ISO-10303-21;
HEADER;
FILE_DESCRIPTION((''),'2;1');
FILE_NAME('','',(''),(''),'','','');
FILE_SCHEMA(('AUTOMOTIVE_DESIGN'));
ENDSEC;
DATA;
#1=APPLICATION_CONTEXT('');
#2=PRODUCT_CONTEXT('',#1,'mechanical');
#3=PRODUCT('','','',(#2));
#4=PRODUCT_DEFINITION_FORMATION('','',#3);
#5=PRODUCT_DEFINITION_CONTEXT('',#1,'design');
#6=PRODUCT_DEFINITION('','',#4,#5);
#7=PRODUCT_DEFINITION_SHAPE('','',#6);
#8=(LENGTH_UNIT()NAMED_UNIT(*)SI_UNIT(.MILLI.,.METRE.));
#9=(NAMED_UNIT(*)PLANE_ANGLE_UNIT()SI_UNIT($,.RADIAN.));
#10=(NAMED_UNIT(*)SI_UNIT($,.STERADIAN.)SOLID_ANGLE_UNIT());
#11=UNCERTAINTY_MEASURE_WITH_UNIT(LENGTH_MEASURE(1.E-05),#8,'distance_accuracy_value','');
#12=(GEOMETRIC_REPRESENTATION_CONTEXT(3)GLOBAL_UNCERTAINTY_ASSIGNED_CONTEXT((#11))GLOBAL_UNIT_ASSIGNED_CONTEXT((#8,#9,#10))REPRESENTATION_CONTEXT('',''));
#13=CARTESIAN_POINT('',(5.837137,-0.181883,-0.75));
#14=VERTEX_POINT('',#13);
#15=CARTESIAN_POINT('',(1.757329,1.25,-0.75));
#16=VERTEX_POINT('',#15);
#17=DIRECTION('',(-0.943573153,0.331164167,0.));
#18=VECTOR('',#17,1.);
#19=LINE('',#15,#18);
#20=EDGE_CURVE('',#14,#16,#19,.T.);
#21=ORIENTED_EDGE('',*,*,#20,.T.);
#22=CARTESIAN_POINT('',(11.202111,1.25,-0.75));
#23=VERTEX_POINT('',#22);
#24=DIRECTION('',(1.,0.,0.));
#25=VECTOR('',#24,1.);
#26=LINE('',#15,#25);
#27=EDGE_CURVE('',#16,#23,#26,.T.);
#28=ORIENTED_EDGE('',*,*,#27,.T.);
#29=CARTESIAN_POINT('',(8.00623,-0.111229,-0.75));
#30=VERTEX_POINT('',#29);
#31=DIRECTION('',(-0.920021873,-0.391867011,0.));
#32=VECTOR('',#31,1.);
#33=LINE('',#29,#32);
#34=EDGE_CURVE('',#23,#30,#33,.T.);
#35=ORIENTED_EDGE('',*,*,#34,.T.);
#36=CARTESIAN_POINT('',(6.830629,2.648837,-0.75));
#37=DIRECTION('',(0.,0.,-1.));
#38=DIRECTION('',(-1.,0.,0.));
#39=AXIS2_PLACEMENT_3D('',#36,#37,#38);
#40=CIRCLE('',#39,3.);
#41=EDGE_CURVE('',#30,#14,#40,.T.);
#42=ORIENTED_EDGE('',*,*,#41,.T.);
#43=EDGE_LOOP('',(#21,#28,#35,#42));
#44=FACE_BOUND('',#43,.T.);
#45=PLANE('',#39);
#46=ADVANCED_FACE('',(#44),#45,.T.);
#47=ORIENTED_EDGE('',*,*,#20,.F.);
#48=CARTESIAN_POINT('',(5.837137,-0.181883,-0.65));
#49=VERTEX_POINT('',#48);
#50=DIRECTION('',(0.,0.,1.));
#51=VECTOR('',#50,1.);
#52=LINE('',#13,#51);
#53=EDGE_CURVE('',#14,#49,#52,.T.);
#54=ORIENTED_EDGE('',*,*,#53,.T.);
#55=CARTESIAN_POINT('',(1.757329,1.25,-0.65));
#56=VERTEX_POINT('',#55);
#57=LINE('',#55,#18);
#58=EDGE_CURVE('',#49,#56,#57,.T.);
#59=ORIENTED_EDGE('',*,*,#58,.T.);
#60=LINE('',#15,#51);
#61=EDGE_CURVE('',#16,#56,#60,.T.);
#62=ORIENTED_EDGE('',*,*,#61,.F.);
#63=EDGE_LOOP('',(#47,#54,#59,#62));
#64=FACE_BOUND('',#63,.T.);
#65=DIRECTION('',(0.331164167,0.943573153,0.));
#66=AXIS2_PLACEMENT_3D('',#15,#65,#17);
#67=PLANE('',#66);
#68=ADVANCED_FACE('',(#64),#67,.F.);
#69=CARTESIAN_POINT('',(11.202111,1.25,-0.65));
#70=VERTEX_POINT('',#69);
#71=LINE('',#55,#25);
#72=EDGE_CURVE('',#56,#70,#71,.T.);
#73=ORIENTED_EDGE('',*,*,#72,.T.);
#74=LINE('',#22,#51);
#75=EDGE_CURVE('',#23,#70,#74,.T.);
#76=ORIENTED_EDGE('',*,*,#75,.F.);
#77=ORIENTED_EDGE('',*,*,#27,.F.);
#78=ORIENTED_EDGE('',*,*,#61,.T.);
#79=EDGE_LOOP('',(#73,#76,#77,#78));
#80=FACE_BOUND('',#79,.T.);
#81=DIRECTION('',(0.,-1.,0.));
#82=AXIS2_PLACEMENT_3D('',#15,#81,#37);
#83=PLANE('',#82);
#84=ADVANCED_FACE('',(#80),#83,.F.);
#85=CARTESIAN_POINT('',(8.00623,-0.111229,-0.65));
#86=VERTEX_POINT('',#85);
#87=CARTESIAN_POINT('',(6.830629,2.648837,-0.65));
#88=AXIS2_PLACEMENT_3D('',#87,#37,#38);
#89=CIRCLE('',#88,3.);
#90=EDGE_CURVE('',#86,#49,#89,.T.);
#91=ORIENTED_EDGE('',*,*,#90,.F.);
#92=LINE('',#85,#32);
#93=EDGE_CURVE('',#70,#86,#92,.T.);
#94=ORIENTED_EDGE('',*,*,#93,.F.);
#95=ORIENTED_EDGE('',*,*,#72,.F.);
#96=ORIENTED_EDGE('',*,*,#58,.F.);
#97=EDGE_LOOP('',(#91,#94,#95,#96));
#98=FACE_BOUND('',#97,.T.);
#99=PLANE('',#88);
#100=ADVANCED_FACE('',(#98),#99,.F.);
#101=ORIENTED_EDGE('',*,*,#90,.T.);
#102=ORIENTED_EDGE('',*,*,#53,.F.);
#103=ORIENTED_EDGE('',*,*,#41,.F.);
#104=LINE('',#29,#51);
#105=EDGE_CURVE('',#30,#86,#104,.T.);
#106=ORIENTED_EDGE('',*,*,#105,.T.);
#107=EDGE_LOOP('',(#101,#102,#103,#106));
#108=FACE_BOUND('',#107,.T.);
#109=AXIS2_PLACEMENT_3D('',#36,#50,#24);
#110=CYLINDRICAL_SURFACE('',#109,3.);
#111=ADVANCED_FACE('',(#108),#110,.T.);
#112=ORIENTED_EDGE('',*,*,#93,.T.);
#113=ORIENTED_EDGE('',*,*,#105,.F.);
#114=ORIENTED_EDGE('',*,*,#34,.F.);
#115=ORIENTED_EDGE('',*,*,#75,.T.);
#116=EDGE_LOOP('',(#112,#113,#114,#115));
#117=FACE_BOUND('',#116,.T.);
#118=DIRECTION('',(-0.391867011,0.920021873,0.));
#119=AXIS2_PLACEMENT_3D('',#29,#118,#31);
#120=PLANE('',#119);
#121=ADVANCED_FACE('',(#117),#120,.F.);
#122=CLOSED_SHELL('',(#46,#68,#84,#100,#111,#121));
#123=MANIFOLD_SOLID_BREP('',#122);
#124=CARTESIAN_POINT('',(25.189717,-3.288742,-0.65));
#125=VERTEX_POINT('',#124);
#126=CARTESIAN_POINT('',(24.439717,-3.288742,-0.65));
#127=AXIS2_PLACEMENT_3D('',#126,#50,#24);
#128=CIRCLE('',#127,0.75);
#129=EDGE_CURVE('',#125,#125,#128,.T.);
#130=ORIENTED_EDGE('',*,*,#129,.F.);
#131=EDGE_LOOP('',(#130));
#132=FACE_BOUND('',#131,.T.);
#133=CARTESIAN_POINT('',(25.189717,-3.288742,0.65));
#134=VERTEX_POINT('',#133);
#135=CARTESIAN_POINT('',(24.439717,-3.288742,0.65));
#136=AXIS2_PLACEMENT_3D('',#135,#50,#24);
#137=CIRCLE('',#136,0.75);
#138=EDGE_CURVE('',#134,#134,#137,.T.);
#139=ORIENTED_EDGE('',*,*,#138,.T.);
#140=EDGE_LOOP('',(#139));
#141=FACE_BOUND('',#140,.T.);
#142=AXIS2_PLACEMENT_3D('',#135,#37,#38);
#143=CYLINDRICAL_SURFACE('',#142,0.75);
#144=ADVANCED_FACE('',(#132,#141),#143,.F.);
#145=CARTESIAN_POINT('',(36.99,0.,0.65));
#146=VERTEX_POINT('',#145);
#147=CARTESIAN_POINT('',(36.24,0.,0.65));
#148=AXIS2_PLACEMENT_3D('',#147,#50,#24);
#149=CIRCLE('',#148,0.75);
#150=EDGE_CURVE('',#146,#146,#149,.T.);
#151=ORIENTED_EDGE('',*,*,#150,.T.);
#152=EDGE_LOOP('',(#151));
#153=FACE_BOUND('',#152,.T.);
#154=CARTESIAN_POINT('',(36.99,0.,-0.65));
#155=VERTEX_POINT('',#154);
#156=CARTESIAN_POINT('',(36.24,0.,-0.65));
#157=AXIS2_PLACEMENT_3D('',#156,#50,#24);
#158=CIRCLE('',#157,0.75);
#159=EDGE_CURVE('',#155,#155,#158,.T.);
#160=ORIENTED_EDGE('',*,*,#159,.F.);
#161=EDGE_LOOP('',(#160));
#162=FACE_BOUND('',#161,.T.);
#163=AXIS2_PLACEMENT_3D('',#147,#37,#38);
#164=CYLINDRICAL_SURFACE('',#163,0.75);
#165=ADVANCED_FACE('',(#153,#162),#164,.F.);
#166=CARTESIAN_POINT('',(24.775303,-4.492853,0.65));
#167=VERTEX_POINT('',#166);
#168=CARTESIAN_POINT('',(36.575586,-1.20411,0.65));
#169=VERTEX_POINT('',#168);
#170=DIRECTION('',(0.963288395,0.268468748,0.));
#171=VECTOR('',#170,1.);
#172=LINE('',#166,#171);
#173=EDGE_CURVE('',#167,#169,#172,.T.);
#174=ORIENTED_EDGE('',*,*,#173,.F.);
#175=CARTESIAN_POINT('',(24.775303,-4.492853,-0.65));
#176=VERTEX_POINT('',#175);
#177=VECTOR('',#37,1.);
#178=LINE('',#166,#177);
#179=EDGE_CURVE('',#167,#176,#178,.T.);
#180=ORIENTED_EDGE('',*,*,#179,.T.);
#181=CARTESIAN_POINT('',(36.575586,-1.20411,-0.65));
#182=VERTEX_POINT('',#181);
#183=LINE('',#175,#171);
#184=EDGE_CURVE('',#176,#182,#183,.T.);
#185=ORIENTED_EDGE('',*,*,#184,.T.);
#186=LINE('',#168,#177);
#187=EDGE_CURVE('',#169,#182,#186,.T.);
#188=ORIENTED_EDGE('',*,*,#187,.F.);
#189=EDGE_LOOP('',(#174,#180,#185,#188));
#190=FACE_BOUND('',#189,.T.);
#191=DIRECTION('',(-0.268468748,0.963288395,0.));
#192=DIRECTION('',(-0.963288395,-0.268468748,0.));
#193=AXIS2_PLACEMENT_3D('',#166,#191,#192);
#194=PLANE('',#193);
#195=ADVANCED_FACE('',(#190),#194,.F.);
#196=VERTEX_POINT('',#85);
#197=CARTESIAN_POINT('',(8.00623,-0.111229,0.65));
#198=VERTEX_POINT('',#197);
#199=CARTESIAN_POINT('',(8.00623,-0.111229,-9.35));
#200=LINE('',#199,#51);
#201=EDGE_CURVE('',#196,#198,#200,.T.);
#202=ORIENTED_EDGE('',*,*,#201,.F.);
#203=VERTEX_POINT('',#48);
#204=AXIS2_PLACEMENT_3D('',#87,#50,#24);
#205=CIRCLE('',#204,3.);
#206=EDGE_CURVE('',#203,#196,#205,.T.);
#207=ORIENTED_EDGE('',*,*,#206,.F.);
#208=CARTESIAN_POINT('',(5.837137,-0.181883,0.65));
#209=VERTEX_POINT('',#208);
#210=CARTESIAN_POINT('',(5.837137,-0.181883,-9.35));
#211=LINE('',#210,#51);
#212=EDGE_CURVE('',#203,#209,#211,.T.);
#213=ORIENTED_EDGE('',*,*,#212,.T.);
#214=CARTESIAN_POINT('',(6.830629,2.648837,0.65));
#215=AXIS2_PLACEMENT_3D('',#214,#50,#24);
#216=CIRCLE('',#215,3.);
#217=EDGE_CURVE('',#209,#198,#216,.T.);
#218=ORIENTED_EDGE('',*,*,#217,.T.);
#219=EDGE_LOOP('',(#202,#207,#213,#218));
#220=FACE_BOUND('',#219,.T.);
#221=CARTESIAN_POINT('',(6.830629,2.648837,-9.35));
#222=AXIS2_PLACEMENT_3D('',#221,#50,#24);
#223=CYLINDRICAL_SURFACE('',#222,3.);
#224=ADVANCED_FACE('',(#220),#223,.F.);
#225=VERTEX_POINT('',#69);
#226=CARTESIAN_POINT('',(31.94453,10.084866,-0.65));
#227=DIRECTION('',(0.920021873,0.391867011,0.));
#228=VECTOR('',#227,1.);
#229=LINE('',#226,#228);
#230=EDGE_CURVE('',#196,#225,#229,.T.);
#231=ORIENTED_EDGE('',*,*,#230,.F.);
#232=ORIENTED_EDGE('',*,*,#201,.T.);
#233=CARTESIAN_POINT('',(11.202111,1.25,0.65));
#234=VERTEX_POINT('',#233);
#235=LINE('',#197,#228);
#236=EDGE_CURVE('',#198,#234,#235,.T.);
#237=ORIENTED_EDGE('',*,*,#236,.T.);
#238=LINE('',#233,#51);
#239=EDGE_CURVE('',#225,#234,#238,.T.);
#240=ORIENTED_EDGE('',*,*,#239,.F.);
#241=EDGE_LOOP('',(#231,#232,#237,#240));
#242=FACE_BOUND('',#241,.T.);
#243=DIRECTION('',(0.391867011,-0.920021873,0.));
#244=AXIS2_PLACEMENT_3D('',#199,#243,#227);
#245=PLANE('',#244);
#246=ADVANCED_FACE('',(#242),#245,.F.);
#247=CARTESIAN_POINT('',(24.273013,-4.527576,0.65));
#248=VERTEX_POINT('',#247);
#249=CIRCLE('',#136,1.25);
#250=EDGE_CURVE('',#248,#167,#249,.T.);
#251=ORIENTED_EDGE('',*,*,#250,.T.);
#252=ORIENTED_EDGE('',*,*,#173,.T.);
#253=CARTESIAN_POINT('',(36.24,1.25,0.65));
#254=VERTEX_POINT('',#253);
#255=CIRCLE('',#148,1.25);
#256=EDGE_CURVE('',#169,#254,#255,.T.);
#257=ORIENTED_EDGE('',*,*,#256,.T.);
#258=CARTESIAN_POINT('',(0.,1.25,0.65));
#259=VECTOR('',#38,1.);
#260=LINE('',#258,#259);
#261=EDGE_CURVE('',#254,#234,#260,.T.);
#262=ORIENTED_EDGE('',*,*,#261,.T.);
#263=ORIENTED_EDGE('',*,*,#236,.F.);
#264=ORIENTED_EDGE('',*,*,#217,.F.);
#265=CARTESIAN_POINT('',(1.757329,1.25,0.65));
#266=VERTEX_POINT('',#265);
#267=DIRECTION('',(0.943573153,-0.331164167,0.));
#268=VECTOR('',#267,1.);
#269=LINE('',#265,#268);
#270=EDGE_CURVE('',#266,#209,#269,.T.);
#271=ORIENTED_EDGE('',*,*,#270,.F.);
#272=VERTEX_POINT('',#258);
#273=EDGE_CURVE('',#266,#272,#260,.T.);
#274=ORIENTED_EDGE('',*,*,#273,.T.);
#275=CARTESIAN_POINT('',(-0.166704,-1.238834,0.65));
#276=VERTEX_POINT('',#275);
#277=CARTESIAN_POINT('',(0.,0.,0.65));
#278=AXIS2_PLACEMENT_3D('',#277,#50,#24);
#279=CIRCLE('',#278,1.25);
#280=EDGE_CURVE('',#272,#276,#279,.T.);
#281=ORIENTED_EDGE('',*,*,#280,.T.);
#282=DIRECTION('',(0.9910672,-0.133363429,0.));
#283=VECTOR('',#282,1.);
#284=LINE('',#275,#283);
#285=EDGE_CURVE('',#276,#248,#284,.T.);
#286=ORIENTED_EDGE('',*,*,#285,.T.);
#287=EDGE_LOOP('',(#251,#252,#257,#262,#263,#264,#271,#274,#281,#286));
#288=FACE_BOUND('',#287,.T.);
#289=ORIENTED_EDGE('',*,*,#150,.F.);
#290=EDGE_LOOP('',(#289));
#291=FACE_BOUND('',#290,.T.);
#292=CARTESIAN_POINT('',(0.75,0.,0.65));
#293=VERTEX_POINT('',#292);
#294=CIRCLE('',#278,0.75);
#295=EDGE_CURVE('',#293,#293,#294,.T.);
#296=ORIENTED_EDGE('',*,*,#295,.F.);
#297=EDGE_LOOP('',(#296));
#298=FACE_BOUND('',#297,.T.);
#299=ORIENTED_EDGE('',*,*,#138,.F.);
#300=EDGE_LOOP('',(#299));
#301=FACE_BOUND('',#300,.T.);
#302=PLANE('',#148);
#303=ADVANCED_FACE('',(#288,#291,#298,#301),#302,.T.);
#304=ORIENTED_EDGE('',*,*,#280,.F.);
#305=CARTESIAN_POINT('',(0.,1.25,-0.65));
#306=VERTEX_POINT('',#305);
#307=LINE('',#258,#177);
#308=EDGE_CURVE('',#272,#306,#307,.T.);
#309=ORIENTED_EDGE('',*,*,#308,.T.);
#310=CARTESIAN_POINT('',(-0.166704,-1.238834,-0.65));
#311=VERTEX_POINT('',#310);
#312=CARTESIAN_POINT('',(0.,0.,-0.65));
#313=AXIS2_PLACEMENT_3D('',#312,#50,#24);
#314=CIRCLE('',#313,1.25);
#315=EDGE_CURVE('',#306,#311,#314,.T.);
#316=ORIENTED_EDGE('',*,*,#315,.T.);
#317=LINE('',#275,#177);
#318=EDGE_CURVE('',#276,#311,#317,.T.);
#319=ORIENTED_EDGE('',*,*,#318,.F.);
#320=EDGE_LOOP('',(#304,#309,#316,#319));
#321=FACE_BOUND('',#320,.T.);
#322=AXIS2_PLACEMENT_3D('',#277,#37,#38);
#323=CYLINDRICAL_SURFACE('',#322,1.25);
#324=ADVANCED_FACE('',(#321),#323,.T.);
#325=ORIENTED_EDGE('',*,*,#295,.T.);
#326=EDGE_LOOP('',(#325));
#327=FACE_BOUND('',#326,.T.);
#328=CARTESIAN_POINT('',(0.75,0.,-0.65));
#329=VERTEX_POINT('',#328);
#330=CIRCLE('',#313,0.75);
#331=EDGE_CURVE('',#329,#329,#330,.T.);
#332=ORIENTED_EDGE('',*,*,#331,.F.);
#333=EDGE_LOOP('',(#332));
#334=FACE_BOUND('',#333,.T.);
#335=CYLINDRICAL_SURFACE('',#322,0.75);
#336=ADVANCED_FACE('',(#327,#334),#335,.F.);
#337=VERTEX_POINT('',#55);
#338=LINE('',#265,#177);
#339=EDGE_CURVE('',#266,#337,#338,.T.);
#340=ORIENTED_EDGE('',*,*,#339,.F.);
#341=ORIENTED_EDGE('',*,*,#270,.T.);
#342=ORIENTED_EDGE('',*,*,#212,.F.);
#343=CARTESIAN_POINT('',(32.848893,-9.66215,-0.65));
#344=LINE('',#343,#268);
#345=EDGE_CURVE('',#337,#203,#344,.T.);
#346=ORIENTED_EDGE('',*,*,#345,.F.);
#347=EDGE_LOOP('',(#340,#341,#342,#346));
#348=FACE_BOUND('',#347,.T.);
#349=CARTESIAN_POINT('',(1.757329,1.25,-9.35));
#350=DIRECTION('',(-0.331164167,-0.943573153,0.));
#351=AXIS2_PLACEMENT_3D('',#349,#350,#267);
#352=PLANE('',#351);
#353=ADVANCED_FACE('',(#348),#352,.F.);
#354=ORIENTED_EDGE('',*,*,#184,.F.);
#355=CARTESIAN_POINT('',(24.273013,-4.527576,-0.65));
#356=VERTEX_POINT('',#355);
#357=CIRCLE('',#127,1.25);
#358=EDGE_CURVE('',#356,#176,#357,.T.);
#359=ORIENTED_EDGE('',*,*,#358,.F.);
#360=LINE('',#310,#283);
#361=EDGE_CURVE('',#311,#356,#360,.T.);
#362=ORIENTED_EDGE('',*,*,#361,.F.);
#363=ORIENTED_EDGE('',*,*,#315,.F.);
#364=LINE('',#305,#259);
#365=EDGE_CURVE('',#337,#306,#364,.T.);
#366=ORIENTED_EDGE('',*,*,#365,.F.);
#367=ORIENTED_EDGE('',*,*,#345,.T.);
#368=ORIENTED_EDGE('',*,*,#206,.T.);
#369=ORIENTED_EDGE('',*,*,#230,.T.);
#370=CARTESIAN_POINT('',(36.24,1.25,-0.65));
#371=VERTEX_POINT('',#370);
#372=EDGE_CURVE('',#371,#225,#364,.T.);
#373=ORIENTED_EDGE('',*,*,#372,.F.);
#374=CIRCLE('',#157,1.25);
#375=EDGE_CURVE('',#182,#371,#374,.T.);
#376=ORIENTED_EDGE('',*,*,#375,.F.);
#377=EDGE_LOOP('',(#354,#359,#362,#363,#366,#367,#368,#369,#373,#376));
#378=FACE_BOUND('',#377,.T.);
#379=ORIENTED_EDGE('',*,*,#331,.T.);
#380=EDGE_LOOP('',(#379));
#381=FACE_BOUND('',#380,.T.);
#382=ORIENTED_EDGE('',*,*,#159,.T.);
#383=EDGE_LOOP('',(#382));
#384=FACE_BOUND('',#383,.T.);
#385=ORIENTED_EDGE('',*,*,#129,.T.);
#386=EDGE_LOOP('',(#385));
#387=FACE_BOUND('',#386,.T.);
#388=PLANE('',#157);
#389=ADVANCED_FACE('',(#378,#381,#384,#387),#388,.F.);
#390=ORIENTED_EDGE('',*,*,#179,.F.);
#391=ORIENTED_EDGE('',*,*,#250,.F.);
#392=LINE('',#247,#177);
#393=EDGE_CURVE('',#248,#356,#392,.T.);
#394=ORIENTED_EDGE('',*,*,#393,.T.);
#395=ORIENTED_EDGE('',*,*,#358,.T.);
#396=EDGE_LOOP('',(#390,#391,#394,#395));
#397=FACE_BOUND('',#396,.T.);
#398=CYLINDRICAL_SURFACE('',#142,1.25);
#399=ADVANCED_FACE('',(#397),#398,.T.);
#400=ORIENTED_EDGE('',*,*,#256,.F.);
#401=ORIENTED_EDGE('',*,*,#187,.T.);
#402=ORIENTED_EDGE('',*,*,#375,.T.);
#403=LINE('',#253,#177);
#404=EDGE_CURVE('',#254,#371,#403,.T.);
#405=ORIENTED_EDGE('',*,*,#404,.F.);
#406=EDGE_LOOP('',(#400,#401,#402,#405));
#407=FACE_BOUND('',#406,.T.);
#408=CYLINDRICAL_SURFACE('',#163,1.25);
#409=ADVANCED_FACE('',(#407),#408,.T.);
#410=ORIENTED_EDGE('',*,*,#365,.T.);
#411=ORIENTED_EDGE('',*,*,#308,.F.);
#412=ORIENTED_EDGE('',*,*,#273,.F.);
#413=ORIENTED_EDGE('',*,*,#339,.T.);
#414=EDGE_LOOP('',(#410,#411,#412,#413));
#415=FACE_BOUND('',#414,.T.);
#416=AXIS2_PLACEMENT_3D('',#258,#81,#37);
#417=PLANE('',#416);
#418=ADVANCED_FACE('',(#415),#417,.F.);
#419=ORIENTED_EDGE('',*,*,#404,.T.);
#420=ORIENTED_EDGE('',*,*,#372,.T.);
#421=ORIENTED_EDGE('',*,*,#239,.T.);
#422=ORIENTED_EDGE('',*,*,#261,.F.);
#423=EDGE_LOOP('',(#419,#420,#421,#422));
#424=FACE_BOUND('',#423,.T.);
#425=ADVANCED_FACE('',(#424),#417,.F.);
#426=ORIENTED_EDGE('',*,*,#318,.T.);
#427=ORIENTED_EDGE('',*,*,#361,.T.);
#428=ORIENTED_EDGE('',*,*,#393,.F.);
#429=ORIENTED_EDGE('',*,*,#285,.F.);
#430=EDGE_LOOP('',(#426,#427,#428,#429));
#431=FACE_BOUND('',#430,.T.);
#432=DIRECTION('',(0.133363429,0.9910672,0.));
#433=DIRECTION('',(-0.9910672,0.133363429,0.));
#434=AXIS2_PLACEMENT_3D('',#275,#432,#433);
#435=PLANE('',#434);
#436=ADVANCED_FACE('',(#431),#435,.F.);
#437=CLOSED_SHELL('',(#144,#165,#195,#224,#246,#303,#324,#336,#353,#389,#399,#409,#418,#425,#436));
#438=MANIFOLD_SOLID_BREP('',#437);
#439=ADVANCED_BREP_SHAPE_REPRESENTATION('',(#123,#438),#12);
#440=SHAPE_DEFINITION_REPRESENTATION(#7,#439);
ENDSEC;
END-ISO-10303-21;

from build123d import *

# Parameters (mm, degrees)
SKETCH_1_R          = 0.75
EXTRUDE_1_DEPTH     = 0.65
CUT_EXTRUDE_1_DEPTH = 10
EXTRUDE_3_DEPTH     = 0.1


with BuildPart() as part:
    # 草圖1 → 填料-伸長1 (new, symmetric)
    with BuildSketch(Plane.XY):
        with BuildLine():
            Line((0, 1.25), (36.24, 1.25))
            ThreePointArc((36.24, 1.25), (37.478474488, 0.169354485), (36.575585934, -1.204110494))
            Line((36.575585934, -1.204110494), (24.775303098, -4.492852651))
            ThreePointArc((24.775303098, -4.492852651), (24.525924375, -4.535765941), (24.273012877, -4.527576158))
            Line((24.273012877, -4.527576158), (-0.166704286, -1.238834001))
            ThreePointArc((-0.166704286, -1.238834001), (-1.247205376, 0.083538911), (0, 1.25))
        make_face()
        Circle(SKETCH_1_R, mode=Mode.SUBTRACT)
        with Locations((36.24, 0)):
            Circle(SKETCH_1_R, mode=Mode.SUBTRACT)
        with Locations((24.439717163, -3.288742157)):
            Circle(SKETCH_1_R, mode=Mode.SUBTRACT)
    extrude(amount=EXTRUDE_1_DEPTH, both=True)

    # 草圖2 → 除料-伸長1 (cut)
    with BuildSketch(Plane.XY.offset(0.65)):
        with BuildLine():
            Line((1.757329147, 1.25), (5.83713676, -0.181882718))
            ThreePointArc((5.83713676, -0.181882718), (6.928296403, -0.349573027), (8.006230293, -0.111228877))
            Line((8.006230293, -0.111228877), (11.20211131, 1.25))
            Line((11.20211131, 1.25), (1.757329147, 1.25))
        make_face()
    extrude(amount=-CUT_EXTRUDE_1_DEPTH, mode=Mode.SUBTRACT)


with BuildPart() as body_2:
    # 草圖4 → 填料-伸長3 (new body)
    with BuildSketch(Plane(origin=(0, 0, -0.65), x_dir=(-1, 0, 0), z_dir=(0, 0, -1))):
        with BuildLine():
            Line((-8.006230293, -0.111228877), (-11.20211131, 1.25))
            Line((-11.20211131, 1.25), (-1.757329147, 1.25))
            Line((-1.757329147, 1.25), (-5.83713676, -0.181882718))
            ThreePointArc((-5.83713676, -0.181882718), (-6.928296403, -0.349573027), (-8.006230293, -0.111228877))
        make_face()
    extrude(amount=EXTRUDE_3_DEPTH)


solid = Compound([part.part, body_2.part])
